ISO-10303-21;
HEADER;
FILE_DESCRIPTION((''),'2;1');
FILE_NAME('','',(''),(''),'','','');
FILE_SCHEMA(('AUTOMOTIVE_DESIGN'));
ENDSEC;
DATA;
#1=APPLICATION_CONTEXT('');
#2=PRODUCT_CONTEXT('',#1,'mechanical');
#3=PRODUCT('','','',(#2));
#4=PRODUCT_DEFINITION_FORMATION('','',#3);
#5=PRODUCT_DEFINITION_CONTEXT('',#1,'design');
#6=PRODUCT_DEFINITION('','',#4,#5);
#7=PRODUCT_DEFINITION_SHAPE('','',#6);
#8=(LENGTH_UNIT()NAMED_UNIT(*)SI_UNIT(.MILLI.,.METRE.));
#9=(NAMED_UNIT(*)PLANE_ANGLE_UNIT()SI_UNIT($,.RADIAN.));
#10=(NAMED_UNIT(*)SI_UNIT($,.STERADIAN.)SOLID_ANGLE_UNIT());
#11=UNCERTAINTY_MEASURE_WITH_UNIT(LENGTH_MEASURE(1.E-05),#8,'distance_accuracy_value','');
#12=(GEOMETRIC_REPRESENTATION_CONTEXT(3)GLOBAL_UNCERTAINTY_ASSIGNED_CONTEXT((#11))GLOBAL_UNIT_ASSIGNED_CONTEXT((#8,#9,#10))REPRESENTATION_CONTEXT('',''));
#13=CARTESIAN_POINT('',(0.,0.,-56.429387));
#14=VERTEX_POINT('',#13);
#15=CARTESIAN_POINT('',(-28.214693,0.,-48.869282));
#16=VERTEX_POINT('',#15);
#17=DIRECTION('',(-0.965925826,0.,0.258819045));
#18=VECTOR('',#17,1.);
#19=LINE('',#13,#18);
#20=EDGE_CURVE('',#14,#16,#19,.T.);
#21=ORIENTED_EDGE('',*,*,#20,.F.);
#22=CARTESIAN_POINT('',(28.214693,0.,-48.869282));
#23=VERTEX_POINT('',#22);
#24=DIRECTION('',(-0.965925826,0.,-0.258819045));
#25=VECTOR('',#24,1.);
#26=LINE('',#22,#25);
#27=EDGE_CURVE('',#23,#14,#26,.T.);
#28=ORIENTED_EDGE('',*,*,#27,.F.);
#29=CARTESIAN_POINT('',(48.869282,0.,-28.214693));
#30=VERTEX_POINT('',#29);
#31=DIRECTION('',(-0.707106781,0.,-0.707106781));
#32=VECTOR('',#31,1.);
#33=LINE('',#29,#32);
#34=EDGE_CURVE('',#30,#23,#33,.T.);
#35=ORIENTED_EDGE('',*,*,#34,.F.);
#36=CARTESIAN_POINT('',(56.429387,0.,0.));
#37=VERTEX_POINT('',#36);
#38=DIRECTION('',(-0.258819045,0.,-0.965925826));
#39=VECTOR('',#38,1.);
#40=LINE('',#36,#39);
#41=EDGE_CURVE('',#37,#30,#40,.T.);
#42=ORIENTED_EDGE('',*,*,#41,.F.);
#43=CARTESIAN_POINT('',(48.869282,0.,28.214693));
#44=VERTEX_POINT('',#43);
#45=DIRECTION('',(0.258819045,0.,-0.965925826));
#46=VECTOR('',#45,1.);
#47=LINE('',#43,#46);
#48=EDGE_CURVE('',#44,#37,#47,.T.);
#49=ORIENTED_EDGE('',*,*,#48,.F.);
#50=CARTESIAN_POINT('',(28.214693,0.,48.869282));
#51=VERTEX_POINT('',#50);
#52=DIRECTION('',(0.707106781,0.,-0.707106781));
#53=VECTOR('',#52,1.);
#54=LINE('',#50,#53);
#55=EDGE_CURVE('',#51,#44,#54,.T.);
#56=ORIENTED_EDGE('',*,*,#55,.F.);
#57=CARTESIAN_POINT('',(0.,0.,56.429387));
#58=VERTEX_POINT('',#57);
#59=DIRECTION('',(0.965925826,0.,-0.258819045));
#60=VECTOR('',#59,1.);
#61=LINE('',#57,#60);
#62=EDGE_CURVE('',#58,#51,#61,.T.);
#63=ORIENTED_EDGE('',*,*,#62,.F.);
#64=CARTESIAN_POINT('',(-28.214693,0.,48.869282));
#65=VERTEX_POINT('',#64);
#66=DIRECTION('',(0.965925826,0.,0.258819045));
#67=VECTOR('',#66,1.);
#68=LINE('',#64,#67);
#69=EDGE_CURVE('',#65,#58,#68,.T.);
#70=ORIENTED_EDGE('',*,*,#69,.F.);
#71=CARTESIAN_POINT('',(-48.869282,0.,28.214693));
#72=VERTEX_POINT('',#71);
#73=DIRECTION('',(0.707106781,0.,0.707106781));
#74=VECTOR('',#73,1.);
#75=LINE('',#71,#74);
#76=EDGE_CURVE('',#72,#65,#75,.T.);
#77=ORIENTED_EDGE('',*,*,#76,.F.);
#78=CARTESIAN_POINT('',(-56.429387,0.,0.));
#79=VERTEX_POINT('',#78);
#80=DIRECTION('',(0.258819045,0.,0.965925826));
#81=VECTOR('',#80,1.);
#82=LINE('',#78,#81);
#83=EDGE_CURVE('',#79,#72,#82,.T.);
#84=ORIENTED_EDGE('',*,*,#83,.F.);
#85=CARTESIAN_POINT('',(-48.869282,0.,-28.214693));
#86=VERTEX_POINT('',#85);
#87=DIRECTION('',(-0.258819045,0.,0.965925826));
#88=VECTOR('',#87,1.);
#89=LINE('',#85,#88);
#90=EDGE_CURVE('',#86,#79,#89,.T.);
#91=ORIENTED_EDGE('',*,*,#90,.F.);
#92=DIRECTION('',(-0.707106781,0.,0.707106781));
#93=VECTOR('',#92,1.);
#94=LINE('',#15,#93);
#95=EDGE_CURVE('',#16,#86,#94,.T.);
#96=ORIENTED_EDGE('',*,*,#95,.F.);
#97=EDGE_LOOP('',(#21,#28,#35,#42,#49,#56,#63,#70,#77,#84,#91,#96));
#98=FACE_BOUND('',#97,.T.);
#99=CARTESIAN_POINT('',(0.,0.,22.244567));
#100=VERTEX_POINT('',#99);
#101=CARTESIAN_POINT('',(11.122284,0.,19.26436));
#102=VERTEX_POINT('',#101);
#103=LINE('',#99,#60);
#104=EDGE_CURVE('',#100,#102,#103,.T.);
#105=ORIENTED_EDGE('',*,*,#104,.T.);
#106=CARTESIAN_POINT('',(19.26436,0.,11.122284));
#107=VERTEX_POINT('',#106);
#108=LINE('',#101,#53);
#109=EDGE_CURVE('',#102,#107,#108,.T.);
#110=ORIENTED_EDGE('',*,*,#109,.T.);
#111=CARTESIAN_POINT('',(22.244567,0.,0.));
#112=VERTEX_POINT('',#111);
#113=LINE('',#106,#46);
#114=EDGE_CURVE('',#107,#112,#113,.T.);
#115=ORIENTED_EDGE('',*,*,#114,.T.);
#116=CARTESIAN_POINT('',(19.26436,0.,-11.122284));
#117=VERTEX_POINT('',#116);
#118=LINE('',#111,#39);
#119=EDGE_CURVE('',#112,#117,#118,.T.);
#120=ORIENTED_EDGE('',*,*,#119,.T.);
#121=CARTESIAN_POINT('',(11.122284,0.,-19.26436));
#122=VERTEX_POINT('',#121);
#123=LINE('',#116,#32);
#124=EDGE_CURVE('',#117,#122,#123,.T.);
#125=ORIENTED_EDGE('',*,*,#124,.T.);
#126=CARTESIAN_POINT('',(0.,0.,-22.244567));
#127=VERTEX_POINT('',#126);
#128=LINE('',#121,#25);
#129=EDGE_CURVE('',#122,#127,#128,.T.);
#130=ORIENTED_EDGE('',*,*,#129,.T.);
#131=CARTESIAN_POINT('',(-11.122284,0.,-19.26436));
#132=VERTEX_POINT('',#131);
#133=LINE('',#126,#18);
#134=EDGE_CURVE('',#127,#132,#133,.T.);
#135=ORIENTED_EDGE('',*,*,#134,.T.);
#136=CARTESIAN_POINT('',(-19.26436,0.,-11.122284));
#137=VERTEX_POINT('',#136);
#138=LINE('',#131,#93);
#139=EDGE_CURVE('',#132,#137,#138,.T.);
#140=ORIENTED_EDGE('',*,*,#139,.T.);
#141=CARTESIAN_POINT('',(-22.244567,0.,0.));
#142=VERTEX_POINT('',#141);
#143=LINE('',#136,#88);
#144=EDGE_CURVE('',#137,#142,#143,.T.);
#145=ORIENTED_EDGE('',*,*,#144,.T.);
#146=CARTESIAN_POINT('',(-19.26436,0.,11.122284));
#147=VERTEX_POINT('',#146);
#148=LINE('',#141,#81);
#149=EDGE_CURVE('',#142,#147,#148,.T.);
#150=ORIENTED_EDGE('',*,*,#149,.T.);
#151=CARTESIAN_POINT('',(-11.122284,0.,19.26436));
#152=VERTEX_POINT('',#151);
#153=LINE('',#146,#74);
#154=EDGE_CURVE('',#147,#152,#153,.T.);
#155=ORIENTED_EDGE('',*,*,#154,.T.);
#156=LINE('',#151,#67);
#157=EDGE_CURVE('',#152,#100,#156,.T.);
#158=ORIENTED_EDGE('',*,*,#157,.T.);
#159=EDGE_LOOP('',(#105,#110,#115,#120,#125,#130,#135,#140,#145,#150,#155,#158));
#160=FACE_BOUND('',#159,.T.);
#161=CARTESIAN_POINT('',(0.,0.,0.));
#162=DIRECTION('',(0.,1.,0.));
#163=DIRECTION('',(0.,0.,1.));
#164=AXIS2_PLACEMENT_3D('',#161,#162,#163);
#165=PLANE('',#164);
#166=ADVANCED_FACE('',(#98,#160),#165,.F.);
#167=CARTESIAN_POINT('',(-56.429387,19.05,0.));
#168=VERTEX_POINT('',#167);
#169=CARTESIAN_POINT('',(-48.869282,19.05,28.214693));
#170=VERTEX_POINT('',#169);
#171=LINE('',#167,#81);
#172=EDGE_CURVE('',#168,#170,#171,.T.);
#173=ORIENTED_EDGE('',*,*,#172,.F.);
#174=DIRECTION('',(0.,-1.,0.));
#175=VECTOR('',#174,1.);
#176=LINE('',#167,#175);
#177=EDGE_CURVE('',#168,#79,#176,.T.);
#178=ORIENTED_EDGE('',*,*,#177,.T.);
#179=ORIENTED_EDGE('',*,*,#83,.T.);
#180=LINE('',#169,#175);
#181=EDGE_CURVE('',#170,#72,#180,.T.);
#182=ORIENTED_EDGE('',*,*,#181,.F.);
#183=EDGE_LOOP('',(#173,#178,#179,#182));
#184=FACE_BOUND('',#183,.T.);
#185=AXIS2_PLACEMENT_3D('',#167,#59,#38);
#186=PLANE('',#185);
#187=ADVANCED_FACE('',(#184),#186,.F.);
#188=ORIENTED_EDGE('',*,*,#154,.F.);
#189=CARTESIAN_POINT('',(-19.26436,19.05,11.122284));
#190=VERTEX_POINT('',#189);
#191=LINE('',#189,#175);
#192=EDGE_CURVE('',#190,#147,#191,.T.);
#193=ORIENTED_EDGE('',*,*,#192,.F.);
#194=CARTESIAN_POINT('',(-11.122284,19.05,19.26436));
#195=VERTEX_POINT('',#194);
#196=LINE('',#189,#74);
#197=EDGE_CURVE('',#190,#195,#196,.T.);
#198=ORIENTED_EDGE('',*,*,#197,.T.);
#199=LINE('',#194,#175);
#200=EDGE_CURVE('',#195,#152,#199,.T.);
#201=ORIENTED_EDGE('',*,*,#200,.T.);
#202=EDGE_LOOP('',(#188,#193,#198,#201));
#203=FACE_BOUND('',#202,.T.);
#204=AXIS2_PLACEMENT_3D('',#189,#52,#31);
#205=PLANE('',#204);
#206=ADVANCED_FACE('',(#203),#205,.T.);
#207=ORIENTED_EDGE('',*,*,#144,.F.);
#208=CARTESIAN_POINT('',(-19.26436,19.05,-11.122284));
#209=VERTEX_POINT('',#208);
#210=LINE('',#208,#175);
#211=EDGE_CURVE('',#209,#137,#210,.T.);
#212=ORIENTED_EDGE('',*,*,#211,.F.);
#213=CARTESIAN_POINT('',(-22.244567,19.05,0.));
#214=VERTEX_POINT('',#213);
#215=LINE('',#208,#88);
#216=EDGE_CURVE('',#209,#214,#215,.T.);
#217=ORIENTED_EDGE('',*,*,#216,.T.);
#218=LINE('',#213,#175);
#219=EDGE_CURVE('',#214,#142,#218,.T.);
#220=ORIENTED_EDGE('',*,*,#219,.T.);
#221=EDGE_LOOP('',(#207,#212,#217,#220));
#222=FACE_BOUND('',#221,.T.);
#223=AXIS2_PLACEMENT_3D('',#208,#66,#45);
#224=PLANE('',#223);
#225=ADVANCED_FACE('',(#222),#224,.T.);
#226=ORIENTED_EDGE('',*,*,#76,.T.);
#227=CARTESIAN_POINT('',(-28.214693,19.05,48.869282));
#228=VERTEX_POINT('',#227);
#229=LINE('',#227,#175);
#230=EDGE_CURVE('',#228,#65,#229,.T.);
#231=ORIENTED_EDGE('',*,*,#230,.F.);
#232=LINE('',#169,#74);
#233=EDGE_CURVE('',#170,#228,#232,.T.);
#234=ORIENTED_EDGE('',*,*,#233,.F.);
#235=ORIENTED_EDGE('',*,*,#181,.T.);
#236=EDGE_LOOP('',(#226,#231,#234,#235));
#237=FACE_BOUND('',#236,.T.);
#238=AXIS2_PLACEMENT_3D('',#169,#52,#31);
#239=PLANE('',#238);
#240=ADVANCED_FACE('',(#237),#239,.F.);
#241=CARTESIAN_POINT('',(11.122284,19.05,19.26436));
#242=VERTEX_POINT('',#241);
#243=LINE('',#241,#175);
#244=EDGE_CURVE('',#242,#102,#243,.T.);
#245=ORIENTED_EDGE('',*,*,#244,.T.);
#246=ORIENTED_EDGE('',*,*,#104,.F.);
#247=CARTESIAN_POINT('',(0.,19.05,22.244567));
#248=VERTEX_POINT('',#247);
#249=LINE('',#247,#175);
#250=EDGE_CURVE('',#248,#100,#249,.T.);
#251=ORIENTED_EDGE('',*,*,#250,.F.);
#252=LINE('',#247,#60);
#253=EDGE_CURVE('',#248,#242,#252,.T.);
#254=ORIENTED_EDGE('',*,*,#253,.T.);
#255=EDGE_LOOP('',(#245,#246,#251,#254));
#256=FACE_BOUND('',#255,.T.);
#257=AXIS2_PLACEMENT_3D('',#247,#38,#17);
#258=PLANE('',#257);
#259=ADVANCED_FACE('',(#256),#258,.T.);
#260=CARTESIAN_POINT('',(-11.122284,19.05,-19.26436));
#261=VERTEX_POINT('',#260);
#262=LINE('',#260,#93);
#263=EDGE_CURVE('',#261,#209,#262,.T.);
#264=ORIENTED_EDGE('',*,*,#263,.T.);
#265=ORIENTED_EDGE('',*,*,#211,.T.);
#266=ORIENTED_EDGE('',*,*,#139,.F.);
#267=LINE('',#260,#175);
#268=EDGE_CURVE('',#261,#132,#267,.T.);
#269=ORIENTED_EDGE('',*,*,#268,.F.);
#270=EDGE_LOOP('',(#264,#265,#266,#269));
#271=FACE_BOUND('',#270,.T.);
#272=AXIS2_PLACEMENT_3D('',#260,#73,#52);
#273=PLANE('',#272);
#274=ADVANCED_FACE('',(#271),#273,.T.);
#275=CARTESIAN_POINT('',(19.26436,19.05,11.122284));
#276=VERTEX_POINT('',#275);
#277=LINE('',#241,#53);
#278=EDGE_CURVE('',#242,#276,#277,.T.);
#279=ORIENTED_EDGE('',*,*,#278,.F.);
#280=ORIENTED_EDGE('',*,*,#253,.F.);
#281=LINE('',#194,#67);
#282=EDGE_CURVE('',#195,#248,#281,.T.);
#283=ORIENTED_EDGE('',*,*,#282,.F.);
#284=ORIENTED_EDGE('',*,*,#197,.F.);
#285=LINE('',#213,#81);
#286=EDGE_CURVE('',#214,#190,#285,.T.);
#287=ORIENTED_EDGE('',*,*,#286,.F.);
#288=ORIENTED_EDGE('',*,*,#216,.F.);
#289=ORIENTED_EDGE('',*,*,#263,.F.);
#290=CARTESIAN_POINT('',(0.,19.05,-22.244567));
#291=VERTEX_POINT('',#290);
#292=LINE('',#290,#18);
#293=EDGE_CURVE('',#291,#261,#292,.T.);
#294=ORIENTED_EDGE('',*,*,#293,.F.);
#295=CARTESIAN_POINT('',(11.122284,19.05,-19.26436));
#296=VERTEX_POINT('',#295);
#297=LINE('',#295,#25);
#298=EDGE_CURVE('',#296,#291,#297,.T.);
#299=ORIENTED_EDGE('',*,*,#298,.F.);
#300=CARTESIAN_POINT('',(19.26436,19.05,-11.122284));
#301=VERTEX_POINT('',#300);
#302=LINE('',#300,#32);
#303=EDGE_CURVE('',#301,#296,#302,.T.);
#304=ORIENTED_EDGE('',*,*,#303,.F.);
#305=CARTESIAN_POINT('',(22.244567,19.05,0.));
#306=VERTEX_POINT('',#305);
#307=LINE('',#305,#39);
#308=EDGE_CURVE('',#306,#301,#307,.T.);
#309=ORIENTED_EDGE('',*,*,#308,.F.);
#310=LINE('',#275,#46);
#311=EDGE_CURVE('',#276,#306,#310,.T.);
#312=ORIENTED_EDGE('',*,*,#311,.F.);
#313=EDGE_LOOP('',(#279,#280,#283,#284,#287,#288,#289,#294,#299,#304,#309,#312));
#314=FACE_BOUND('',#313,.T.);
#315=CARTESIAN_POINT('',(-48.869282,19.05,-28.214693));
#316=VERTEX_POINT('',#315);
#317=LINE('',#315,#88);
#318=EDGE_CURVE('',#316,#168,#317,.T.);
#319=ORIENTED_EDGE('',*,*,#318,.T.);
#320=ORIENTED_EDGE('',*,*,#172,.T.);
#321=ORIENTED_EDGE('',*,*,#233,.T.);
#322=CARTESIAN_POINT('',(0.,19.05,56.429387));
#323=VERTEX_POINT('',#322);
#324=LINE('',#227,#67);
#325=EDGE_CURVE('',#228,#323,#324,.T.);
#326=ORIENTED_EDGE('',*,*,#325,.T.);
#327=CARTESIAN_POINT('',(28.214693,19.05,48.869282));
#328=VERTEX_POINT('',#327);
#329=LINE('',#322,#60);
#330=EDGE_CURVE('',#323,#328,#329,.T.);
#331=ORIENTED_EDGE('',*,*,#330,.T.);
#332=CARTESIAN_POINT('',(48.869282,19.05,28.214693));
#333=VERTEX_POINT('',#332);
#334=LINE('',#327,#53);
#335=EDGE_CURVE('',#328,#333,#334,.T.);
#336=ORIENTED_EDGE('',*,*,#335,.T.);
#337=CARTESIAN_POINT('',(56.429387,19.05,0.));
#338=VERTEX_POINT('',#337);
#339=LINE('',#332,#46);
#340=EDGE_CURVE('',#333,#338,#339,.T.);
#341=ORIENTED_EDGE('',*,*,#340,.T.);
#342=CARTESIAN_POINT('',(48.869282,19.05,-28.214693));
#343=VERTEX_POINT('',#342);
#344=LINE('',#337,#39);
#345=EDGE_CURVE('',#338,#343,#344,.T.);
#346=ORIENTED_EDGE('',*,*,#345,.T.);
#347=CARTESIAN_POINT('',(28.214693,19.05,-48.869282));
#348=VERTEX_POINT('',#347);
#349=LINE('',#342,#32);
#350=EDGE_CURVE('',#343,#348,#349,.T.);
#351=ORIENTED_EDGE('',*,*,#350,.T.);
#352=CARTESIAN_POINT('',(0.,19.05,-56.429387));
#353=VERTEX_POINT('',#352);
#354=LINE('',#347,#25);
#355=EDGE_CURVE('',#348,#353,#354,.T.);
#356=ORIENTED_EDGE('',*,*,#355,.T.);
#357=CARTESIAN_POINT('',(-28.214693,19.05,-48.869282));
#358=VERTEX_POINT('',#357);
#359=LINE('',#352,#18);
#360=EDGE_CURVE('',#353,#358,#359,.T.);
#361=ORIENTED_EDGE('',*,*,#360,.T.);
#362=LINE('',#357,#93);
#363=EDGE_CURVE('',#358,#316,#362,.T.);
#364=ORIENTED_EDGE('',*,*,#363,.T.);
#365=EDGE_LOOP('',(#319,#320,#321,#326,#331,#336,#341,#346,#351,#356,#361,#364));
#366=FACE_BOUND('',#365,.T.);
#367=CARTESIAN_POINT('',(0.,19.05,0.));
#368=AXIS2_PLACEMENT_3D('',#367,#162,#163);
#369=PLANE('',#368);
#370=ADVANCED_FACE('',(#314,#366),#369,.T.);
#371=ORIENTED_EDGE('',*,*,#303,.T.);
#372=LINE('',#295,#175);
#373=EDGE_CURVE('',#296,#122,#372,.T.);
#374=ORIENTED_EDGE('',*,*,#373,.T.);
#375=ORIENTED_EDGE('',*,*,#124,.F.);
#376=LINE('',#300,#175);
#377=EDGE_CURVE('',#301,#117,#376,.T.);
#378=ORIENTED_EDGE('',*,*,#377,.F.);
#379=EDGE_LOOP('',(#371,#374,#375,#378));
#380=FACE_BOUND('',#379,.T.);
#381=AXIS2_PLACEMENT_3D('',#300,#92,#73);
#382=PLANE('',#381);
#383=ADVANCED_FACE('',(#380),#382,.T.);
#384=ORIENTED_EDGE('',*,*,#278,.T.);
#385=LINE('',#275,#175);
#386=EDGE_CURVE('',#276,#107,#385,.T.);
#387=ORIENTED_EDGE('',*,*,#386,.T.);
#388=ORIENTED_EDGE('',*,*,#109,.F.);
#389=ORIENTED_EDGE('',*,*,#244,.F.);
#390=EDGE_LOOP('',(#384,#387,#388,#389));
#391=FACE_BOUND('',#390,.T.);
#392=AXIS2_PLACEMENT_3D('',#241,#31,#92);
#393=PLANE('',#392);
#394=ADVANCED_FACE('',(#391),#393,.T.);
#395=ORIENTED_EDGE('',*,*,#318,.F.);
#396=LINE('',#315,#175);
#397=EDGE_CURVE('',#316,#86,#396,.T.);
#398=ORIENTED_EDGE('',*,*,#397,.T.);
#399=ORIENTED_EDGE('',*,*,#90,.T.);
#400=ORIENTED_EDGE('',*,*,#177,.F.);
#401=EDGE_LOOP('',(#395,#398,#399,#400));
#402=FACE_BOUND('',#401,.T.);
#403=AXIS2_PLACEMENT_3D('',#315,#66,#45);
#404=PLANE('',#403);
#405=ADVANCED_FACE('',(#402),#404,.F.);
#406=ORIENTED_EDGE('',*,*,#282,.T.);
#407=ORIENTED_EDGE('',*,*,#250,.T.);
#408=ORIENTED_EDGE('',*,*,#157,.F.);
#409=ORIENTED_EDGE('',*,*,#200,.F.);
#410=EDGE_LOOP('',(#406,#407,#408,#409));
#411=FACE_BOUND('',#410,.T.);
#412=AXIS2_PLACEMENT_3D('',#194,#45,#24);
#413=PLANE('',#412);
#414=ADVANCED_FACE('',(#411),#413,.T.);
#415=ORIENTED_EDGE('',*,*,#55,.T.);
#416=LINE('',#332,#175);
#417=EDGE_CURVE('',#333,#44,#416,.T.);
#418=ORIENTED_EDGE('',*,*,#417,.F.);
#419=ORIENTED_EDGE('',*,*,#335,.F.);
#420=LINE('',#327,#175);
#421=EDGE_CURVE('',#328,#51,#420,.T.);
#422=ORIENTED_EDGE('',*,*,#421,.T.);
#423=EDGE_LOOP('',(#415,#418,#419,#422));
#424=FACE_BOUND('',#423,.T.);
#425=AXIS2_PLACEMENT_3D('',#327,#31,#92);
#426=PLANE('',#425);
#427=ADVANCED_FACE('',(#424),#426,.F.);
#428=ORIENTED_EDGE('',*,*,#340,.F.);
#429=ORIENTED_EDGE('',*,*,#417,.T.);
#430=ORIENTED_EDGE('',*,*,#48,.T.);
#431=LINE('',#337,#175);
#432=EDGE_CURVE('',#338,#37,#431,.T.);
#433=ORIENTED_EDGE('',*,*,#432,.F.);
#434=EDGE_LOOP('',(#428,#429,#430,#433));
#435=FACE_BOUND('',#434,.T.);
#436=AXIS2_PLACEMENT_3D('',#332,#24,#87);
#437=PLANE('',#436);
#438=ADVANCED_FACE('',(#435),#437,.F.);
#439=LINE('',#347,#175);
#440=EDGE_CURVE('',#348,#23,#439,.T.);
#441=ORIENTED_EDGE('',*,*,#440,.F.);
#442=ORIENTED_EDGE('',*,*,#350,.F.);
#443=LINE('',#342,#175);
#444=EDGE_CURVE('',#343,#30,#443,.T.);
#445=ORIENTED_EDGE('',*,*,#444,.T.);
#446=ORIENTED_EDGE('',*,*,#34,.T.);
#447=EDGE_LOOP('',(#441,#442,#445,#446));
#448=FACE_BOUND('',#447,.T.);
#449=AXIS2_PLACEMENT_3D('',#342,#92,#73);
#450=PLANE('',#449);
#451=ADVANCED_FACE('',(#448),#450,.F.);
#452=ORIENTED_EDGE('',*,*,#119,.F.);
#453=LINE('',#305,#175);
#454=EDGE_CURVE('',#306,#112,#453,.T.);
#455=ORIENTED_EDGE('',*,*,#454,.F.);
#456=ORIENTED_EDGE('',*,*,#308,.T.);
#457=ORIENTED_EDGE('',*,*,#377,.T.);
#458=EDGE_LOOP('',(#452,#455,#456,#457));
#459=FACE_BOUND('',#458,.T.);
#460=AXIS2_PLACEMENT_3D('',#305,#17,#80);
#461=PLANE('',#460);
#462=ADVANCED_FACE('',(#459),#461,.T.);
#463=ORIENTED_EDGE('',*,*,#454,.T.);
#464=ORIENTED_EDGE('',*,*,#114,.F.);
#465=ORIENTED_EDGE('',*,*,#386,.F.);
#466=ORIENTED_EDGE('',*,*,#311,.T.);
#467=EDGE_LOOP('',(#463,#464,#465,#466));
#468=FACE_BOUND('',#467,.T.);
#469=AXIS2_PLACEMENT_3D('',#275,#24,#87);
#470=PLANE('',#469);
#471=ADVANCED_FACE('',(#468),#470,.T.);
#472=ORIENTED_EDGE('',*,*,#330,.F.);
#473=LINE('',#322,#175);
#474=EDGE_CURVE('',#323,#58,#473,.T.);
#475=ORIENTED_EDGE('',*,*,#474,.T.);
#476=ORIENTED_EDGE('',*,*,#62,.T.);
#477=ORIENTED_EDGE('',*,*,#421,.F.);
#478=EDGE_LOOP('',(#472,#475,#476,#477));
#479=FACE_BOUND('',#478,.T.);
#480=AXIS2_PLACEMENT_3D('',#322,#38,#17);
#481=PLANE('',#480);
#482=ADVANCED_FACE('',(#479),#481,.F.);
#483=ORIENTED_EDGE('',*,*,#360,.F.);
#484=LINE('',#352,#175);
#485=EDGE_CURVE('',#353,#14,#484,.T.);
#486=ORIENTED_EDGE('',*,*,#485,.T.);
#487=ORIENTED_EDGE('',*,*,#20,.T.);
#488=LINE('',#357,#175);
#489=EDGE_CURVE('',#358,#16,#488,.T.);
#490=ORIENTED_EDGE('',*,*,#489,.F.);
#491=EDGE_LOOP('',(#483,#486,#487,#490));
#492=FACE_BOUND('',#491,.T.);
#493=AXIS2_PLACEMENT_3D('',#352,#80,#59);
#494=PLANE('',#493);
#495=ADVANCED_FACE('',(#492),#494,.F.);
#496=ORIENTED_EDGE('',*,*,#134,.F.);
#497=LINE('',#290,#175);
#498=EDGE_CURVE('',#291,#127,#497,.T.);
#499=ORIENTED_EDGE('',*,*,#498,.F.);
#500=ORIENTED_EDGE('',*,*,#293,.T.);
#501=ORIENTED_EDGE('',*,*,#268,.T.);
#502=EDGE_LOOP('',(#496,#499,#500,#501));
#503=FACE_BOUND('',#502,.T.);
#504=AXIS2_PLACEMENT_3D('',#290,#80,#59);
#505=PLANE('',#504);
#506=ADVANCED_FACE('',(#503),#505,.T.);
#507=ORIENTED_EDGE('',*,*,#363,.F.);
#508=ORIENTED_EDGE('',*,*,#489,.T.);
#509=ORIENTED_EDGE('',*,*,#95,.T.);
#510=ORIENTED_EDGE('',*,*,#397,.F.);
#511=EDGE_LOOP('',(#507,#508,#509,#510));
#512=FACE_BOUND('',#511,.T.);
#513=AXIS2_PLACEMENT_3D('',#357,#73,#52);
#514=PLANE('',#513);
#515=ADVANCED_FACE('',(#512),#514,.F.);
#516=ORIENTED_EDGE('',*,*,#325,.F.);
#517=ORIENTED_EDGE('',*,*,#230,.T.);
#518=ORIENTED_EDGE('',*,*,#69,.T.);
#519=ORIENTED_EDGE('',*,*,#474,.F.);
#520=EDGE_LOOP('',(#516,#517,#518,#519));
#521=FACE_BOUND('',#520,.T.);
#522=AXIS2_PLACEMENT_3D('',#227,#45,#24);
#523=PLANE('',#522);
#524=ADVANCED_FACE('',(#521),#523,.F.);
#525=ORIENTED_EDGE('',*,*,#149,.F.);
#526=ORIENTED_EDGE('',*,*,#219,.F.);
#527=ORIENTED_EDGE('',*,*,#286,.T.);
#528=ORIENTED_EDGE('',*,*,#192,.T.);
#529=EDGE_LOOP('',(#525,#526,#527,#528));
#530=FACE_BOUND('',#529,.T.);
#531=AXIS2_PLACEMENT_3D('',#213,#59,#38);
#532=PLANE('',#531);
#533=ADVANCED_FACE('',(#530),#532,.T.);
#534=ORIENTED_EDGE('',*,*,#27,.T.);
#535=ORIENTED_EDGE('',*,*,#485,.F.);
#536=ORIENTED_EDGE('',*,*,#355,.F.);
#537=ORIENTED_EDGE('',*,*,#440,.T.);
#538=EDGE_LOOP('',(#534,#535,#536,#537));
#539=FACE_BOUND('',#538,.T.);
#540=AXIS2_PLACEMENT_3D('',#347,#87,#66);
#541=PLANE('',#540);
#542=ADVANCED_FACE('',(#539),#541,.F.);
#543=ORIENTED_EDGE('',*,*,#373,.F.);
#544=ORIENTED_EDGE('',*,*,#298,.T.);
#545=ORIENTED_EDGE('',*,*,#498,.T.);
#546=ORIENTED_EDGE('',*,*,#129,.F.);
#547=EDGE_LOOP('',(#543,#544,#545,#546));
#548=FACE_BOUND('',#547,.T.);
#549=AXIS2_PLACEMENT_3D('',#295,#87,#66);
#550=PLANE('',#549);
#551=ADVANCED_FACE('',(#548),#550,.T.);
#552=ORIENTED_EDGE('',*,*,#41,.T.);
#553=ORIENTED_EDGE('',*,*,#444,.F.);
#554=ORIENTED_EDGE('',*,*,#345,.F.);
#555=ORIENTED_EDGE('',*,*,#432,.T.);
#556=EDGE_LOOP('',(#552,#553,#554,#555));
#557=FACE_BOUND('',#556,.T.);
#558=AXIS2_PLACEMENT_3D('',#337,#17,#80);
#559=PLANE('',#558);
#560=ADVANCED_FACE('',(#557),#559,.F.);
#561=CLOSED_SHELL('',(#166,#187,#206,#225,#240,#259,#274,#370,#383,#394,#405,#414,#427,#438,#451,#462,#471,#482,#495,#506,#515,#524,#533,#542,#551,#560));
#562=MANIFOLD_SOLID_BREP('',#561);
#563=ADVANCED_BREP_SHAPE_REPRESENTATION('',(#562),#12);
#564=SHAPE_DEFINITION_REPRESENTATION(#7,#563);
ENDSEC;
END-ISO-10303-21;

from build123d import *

# Parameters (mm, degrees)
BOSS_EXTRUDE1_DEPTH = 19.05


with BuildPart() as part:
    # Sketch1 → Boss-Extrude1 (new body)
    with BuildSketch(Plane(origin=(0, 0, 0), x_dir=(1, 0, 0), z_dir=(0, 1, 0))):
        Polygon((56.429386772, 0), (48.869282464, 28.214693386), (28.214693386, 48.869282464), (0, 56.429386772), (-28.214693386, 48.869282464), (-48.869282464, 28.214693386), (-56.429386772, 0), (-48.869282464, -28.214693386), (-28.214693386, -48.869282464), (0, -56.429386772), (28.214693386, -48.869282464), (48.869282464, -28.214693386), align=None)
        Polygon((22.244567295, 0), (19.264360373, 11.122283647), (11.122283647, 19.264360373), (0, 22.244567295), (-11.122283647, 19.264360373), (-19.264360373, 11.122283647), (-22.244567295, 0), (-19.264360373, -11.122283647), (-11.122283647, -19.264360373), (0, -22.244567295), (11.122283647, -19.264360373), (19.264360373, -11.122283647), align=None, mode=Mode.SUBTRACT)
    extrude(amount=BOSS_EXTRUDE1_DEPTH)


solid = part.part
